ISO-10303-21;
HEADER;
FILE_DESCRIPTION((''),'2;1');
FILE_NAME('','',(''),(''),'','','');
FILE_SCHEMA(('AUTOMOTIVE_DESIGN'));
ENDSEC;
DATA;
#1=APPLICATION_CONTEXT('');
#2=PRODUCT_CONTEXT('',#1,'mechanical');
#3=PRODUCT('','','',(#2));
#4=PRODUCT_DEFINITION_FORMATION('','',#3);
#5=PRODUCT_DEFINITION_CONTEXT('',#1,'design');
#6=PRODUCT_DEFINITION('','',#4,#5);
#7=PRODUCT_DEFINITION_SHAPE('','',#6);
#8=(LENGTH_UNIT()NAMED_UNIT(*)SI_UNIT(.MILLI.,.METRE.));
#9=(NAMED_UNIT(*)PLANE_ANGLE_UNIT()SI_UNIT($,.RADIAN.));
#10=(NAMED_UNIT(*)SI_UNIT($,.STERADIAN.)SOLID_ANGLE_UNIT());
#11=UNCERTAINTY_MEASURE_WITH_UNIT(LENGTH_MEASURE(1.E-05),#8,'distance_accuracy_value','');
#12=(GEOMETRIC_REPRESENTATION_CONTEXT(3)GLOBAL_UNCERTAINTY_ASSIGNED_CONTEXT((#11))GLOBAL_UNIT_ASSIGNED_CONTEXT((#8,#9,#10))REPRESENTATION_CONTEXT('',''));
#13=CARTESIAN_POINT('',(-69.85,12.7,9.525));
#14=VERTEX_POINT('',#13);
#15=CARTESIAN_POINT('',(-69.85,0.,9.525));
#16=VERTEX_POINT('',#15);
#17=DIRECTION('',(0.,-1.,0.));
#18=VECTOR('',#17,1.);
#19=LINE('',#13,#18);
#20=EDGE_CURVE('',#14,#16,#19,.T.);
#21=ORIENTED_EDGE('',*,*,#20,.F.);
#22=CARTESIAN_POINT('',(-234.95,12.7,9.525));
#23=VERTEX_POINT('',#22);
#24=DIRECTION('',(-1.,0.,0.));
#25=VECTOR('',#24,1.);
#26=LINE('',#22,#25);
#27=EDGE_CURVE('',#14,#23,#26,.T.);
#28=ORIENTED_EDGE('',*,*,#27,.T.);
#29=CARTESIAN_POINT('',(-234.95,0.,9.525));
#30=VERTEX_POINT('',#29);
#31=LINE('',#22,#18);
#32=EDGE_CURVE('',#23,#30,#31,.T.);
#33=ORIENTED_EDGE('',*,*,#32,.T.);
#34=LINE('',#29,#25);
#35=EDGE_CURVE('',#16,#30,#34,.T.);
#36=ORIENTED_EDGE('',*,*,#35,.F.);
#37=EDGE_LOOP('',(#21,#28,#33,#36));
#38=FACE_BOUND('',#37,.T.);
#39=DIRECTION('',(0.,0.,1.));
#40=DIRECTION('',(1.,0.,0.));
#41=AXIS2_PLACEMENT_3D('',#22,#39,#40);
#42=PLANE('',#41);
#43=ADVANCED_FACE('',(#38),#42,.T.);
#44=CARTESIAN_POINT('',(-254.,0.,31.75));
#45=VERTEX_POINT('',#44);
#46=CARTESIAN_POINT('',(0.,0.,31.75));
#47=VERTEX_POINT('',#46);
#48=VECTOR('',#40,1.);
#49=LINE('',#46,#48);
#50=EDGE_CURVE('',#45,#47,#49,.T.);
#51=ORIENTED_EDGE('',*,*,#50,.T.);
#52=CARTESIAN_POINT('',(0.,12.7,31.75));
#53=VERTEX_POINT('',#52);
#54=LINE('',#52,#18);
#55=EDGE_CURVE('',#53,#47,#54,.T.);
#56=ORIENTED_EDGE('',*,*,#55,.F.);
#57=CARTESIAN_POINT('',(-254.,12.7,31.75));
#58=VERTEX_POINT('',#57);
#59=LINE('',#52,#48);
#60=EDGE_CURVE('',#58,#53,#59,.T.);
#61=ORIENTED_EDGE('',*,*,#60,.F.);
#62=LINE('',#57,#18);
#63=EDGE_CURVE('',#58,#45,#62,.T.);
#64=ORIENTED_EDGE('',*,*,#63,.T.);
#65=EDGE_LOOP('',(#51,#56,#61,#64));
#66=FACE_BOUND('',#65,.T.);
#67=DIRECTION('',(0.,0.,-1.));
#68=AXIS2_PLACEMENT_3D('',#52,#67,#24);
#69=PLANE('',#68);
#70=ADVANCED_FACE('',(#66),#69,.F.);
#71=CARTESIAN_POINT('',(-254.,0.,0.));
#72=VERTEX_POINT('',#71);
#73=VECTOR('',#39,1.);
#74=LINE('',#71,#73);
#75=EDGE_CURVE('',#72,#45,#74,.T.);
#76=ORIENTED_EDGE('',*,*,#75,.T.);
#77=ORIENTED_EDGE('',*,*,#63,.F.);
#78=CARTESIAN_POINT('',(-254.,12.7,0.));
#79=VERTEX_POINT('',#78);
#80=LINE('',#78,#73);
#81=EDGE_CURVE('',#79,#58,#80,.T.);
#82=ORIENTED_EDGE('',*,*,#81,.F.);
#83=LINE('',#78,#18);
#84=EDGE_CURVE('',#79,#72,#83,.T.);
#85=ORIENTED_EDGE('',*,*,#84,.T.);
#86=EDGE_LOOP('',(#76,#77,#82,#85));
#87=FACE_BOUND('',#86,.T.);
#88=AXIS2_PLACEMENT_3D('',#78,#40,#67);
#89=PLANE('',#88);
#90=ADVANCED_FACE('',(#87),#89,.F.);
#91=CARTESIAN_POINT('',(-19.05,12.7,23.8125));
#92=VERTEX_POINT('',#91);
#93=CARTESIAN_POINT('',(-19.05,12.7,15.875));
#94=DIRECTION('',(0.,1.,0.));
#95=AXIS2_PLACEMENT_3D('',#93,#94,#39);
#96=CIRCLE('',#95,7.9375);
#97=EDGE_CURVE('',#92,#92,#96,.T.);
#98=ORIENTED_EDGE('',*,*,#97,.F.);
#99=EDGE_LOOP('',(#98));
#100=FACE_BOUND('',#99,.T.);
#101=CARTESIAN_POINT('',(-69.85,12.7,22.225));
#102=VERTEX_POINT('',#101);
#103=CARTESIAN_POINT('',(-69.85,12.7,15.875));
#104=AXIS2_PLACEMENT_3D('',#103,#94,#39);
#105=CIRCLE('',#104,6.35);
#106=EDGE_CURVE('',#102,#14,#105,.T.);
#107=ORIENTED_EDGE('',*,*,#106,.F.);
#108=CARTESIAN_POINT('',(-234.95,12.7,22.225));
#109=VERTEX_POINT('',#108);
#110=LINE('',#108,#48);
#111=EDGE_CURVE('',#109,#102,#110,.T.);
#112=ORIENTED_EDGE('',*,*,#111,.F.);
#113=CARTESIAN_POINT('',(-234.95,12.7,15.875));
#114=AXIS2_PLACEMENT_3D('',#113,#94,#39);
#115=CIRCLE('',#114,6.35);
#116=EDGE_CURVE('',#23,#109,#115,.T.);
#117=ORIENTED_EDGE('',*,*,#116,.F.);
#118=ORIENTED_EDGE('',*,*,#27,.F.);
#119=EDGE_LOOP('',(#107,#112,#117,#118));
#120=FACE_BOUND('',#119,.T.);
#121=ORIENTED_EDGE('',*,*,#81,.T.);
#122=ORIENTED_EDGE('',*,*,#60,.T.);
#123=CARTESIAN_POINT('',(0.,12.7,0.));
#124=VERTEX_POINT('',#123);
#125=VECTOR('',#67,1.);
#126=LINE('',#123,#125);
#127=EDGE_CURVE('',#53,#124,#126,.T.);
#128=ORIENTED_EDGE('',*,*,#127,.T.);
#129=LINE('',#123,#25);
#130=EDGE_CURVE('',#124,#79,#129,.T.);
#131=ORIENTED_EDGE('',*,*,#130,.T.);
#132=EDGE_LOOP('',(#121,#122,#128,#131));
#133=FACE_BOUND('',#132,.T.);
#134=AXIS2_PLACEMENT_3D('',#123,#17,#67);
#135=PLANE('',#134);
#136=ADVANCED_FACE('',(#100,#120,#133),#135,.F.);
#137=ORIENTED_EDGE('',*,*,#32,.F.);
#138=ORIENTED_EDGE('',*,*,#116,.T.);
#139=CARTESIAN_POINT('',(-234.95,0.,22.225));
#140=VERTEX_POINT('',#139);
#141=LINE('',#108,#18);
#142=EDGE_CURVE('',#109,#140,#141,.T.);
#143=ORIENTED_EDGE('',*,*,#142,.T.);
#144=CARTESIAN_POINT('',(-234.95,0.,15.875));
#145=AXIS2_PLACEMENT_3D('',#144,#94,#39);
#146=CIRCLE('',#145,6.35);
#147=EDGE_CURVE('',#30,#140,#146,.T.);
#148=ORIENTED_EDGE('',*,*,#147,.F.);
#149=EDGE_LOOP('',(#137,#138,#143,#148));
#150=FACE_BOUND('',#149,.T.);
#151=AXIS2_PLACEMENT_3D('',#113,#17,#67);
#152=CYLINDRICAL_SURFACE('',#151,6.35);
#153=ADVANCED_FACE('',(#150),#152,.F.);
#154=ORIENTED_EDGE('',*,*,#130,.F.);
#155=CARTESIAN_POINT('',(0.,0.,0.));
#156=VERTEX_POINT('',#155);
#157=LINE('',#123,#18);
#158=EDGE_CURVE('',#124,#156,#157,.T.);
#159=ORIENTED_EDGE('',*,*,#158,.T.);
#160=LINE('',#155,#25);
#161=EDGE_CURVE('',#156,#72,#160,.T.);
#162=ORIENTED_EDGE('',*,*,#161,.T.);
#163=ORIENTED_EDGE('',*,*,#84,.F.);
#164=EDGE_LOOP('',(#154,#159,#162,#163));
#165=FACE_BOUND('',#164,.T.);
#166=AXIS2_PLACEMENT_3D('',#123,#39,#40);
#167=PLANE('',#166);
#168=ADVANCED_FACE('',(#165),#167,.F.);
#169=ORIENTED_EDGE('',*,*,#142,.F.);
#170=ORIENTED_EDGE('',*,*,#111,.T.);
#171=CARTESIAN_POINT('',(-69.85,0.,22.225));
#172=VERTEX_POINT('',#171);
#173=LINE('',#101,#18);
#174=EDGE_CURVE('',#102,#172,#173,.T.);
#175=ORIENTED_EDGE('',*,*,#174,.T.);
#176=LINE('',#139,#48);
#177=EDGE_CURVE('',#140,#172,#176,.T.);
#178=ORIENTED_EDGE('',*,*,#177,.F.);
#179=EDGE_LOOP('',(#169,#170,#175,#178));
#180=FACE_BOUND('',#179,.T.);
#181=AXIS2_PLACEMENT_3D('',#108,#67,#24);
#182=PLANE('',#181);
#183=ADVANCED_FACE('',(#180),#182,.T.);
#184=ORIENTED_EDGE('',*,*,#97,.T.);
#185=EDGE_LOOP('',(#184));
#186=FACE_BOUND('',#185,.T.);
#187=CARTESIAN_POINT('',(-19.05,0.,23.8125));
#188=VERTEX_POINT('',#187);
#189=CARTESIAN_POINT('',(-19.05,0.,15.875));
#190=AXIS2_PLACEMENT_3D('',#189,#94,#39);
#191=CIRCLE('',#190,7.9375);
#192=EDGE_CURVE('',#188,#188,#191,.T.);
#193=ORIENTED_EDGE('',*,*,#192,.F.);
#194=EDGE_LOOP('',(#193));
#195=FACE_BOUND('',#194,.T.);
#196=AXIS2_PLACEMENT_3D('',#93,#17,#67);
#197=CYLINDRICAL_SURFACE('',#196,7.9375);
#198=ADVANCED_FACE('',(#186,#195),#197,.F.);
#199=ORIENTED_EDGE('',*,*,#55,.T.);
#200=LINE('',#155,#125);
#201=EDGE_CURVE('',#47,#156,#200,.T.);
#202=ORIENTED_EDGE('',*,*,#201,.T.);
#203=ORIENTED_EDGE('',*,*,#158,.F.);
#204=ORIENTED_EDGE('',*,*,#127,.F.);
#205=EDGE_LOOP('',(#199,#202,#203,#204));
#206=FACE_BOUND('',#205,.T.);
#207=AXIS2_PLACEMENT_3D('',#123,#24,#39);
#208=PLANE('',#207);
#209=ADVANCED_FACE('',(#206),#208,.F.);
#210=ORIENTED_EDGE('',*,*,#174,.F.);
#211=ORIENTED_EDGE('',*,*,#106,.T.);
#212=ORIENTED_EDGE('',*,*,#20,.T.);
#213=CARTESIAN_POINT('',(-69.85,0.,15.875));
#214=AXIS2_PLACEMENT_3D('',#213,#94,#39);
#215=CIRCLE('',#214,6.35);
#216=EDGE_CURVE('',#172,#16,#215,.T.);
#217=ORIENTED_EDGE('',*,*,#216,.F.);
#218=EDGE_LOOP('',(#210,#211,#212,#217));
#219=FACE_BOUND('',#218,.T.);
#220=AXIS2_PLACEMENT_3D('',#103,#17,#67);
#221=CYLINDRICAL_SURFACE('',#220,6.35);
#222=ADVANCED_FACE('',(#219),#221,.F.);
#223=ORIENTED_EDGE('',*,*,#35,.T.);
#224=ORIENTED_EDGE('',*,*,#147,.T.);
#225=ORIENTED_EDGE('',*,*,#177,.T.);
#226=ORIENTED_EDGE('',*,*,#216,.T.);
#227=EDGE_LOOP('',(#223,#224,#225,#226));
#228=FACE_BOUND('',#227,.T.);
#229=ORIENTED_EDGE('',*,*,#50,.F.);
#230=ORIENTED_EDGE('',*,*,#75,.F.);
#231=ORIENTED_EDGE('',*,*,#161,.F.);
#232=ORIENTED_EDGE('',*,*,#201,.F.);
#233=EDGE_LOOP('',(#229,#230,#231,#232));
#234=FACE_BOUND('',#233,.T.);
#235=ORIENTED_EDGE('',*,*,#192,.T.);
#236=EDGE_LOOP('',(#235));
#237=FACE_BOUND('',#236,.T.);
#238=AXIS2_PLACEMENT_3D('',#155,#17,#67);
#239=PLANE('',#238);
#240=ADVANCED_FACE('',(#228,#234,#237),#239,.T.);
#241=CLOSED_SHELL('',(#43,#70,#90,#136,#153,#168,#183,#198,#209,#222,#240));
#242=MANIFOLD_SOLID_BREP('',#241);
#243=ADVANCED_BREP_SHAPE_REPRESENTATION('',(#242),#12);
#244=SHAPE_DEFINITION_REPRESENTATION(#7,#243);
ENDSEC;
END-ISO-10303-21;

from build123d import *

# Parameters (mm, degrees)
SKETCH1_W           = 254
SKETCH1_H           = 31.75
SKETCH1_R           = 7.9375
BOSS_EXTRUDE1_DEPTH = 12.7


with BuildPart() as part:
    # Sketch1 → Boss-Extrude1 (new body)
    with BuildSketch(Plane(origin=(0, 0, 0), x_dir=(1, 0, 0), z_dir=(0, 1, 0))):
        with Locations((-127, -15.875)):
            Rectangle(SKETCH1_W, SKETCH1_H)
        with Locations(Location((-19.05, -15.875, 0), (0, 0, 270))):
            Circle(SKETCH1_R, mode=Mode.SUBTRACT)
        with BuildLine():
            Line((-234.95, -9.525), (-69.85, -9.525))
            ThreePointArc((-69.85, -9.525), (-63.5, -15.875), (-69.85, -22.225))
            Line((-69.85, -22.225), (-234.95, -22.225))
            ThreePointArc((-234.95, -22.225), (-241.3, -15.875), (-234.95, -9.525))
        make_face(mode=Mode.SUBTRACT)
    extrude(amount=BOSS_EXTRUDE1_DEPTH)


solid = part.part
